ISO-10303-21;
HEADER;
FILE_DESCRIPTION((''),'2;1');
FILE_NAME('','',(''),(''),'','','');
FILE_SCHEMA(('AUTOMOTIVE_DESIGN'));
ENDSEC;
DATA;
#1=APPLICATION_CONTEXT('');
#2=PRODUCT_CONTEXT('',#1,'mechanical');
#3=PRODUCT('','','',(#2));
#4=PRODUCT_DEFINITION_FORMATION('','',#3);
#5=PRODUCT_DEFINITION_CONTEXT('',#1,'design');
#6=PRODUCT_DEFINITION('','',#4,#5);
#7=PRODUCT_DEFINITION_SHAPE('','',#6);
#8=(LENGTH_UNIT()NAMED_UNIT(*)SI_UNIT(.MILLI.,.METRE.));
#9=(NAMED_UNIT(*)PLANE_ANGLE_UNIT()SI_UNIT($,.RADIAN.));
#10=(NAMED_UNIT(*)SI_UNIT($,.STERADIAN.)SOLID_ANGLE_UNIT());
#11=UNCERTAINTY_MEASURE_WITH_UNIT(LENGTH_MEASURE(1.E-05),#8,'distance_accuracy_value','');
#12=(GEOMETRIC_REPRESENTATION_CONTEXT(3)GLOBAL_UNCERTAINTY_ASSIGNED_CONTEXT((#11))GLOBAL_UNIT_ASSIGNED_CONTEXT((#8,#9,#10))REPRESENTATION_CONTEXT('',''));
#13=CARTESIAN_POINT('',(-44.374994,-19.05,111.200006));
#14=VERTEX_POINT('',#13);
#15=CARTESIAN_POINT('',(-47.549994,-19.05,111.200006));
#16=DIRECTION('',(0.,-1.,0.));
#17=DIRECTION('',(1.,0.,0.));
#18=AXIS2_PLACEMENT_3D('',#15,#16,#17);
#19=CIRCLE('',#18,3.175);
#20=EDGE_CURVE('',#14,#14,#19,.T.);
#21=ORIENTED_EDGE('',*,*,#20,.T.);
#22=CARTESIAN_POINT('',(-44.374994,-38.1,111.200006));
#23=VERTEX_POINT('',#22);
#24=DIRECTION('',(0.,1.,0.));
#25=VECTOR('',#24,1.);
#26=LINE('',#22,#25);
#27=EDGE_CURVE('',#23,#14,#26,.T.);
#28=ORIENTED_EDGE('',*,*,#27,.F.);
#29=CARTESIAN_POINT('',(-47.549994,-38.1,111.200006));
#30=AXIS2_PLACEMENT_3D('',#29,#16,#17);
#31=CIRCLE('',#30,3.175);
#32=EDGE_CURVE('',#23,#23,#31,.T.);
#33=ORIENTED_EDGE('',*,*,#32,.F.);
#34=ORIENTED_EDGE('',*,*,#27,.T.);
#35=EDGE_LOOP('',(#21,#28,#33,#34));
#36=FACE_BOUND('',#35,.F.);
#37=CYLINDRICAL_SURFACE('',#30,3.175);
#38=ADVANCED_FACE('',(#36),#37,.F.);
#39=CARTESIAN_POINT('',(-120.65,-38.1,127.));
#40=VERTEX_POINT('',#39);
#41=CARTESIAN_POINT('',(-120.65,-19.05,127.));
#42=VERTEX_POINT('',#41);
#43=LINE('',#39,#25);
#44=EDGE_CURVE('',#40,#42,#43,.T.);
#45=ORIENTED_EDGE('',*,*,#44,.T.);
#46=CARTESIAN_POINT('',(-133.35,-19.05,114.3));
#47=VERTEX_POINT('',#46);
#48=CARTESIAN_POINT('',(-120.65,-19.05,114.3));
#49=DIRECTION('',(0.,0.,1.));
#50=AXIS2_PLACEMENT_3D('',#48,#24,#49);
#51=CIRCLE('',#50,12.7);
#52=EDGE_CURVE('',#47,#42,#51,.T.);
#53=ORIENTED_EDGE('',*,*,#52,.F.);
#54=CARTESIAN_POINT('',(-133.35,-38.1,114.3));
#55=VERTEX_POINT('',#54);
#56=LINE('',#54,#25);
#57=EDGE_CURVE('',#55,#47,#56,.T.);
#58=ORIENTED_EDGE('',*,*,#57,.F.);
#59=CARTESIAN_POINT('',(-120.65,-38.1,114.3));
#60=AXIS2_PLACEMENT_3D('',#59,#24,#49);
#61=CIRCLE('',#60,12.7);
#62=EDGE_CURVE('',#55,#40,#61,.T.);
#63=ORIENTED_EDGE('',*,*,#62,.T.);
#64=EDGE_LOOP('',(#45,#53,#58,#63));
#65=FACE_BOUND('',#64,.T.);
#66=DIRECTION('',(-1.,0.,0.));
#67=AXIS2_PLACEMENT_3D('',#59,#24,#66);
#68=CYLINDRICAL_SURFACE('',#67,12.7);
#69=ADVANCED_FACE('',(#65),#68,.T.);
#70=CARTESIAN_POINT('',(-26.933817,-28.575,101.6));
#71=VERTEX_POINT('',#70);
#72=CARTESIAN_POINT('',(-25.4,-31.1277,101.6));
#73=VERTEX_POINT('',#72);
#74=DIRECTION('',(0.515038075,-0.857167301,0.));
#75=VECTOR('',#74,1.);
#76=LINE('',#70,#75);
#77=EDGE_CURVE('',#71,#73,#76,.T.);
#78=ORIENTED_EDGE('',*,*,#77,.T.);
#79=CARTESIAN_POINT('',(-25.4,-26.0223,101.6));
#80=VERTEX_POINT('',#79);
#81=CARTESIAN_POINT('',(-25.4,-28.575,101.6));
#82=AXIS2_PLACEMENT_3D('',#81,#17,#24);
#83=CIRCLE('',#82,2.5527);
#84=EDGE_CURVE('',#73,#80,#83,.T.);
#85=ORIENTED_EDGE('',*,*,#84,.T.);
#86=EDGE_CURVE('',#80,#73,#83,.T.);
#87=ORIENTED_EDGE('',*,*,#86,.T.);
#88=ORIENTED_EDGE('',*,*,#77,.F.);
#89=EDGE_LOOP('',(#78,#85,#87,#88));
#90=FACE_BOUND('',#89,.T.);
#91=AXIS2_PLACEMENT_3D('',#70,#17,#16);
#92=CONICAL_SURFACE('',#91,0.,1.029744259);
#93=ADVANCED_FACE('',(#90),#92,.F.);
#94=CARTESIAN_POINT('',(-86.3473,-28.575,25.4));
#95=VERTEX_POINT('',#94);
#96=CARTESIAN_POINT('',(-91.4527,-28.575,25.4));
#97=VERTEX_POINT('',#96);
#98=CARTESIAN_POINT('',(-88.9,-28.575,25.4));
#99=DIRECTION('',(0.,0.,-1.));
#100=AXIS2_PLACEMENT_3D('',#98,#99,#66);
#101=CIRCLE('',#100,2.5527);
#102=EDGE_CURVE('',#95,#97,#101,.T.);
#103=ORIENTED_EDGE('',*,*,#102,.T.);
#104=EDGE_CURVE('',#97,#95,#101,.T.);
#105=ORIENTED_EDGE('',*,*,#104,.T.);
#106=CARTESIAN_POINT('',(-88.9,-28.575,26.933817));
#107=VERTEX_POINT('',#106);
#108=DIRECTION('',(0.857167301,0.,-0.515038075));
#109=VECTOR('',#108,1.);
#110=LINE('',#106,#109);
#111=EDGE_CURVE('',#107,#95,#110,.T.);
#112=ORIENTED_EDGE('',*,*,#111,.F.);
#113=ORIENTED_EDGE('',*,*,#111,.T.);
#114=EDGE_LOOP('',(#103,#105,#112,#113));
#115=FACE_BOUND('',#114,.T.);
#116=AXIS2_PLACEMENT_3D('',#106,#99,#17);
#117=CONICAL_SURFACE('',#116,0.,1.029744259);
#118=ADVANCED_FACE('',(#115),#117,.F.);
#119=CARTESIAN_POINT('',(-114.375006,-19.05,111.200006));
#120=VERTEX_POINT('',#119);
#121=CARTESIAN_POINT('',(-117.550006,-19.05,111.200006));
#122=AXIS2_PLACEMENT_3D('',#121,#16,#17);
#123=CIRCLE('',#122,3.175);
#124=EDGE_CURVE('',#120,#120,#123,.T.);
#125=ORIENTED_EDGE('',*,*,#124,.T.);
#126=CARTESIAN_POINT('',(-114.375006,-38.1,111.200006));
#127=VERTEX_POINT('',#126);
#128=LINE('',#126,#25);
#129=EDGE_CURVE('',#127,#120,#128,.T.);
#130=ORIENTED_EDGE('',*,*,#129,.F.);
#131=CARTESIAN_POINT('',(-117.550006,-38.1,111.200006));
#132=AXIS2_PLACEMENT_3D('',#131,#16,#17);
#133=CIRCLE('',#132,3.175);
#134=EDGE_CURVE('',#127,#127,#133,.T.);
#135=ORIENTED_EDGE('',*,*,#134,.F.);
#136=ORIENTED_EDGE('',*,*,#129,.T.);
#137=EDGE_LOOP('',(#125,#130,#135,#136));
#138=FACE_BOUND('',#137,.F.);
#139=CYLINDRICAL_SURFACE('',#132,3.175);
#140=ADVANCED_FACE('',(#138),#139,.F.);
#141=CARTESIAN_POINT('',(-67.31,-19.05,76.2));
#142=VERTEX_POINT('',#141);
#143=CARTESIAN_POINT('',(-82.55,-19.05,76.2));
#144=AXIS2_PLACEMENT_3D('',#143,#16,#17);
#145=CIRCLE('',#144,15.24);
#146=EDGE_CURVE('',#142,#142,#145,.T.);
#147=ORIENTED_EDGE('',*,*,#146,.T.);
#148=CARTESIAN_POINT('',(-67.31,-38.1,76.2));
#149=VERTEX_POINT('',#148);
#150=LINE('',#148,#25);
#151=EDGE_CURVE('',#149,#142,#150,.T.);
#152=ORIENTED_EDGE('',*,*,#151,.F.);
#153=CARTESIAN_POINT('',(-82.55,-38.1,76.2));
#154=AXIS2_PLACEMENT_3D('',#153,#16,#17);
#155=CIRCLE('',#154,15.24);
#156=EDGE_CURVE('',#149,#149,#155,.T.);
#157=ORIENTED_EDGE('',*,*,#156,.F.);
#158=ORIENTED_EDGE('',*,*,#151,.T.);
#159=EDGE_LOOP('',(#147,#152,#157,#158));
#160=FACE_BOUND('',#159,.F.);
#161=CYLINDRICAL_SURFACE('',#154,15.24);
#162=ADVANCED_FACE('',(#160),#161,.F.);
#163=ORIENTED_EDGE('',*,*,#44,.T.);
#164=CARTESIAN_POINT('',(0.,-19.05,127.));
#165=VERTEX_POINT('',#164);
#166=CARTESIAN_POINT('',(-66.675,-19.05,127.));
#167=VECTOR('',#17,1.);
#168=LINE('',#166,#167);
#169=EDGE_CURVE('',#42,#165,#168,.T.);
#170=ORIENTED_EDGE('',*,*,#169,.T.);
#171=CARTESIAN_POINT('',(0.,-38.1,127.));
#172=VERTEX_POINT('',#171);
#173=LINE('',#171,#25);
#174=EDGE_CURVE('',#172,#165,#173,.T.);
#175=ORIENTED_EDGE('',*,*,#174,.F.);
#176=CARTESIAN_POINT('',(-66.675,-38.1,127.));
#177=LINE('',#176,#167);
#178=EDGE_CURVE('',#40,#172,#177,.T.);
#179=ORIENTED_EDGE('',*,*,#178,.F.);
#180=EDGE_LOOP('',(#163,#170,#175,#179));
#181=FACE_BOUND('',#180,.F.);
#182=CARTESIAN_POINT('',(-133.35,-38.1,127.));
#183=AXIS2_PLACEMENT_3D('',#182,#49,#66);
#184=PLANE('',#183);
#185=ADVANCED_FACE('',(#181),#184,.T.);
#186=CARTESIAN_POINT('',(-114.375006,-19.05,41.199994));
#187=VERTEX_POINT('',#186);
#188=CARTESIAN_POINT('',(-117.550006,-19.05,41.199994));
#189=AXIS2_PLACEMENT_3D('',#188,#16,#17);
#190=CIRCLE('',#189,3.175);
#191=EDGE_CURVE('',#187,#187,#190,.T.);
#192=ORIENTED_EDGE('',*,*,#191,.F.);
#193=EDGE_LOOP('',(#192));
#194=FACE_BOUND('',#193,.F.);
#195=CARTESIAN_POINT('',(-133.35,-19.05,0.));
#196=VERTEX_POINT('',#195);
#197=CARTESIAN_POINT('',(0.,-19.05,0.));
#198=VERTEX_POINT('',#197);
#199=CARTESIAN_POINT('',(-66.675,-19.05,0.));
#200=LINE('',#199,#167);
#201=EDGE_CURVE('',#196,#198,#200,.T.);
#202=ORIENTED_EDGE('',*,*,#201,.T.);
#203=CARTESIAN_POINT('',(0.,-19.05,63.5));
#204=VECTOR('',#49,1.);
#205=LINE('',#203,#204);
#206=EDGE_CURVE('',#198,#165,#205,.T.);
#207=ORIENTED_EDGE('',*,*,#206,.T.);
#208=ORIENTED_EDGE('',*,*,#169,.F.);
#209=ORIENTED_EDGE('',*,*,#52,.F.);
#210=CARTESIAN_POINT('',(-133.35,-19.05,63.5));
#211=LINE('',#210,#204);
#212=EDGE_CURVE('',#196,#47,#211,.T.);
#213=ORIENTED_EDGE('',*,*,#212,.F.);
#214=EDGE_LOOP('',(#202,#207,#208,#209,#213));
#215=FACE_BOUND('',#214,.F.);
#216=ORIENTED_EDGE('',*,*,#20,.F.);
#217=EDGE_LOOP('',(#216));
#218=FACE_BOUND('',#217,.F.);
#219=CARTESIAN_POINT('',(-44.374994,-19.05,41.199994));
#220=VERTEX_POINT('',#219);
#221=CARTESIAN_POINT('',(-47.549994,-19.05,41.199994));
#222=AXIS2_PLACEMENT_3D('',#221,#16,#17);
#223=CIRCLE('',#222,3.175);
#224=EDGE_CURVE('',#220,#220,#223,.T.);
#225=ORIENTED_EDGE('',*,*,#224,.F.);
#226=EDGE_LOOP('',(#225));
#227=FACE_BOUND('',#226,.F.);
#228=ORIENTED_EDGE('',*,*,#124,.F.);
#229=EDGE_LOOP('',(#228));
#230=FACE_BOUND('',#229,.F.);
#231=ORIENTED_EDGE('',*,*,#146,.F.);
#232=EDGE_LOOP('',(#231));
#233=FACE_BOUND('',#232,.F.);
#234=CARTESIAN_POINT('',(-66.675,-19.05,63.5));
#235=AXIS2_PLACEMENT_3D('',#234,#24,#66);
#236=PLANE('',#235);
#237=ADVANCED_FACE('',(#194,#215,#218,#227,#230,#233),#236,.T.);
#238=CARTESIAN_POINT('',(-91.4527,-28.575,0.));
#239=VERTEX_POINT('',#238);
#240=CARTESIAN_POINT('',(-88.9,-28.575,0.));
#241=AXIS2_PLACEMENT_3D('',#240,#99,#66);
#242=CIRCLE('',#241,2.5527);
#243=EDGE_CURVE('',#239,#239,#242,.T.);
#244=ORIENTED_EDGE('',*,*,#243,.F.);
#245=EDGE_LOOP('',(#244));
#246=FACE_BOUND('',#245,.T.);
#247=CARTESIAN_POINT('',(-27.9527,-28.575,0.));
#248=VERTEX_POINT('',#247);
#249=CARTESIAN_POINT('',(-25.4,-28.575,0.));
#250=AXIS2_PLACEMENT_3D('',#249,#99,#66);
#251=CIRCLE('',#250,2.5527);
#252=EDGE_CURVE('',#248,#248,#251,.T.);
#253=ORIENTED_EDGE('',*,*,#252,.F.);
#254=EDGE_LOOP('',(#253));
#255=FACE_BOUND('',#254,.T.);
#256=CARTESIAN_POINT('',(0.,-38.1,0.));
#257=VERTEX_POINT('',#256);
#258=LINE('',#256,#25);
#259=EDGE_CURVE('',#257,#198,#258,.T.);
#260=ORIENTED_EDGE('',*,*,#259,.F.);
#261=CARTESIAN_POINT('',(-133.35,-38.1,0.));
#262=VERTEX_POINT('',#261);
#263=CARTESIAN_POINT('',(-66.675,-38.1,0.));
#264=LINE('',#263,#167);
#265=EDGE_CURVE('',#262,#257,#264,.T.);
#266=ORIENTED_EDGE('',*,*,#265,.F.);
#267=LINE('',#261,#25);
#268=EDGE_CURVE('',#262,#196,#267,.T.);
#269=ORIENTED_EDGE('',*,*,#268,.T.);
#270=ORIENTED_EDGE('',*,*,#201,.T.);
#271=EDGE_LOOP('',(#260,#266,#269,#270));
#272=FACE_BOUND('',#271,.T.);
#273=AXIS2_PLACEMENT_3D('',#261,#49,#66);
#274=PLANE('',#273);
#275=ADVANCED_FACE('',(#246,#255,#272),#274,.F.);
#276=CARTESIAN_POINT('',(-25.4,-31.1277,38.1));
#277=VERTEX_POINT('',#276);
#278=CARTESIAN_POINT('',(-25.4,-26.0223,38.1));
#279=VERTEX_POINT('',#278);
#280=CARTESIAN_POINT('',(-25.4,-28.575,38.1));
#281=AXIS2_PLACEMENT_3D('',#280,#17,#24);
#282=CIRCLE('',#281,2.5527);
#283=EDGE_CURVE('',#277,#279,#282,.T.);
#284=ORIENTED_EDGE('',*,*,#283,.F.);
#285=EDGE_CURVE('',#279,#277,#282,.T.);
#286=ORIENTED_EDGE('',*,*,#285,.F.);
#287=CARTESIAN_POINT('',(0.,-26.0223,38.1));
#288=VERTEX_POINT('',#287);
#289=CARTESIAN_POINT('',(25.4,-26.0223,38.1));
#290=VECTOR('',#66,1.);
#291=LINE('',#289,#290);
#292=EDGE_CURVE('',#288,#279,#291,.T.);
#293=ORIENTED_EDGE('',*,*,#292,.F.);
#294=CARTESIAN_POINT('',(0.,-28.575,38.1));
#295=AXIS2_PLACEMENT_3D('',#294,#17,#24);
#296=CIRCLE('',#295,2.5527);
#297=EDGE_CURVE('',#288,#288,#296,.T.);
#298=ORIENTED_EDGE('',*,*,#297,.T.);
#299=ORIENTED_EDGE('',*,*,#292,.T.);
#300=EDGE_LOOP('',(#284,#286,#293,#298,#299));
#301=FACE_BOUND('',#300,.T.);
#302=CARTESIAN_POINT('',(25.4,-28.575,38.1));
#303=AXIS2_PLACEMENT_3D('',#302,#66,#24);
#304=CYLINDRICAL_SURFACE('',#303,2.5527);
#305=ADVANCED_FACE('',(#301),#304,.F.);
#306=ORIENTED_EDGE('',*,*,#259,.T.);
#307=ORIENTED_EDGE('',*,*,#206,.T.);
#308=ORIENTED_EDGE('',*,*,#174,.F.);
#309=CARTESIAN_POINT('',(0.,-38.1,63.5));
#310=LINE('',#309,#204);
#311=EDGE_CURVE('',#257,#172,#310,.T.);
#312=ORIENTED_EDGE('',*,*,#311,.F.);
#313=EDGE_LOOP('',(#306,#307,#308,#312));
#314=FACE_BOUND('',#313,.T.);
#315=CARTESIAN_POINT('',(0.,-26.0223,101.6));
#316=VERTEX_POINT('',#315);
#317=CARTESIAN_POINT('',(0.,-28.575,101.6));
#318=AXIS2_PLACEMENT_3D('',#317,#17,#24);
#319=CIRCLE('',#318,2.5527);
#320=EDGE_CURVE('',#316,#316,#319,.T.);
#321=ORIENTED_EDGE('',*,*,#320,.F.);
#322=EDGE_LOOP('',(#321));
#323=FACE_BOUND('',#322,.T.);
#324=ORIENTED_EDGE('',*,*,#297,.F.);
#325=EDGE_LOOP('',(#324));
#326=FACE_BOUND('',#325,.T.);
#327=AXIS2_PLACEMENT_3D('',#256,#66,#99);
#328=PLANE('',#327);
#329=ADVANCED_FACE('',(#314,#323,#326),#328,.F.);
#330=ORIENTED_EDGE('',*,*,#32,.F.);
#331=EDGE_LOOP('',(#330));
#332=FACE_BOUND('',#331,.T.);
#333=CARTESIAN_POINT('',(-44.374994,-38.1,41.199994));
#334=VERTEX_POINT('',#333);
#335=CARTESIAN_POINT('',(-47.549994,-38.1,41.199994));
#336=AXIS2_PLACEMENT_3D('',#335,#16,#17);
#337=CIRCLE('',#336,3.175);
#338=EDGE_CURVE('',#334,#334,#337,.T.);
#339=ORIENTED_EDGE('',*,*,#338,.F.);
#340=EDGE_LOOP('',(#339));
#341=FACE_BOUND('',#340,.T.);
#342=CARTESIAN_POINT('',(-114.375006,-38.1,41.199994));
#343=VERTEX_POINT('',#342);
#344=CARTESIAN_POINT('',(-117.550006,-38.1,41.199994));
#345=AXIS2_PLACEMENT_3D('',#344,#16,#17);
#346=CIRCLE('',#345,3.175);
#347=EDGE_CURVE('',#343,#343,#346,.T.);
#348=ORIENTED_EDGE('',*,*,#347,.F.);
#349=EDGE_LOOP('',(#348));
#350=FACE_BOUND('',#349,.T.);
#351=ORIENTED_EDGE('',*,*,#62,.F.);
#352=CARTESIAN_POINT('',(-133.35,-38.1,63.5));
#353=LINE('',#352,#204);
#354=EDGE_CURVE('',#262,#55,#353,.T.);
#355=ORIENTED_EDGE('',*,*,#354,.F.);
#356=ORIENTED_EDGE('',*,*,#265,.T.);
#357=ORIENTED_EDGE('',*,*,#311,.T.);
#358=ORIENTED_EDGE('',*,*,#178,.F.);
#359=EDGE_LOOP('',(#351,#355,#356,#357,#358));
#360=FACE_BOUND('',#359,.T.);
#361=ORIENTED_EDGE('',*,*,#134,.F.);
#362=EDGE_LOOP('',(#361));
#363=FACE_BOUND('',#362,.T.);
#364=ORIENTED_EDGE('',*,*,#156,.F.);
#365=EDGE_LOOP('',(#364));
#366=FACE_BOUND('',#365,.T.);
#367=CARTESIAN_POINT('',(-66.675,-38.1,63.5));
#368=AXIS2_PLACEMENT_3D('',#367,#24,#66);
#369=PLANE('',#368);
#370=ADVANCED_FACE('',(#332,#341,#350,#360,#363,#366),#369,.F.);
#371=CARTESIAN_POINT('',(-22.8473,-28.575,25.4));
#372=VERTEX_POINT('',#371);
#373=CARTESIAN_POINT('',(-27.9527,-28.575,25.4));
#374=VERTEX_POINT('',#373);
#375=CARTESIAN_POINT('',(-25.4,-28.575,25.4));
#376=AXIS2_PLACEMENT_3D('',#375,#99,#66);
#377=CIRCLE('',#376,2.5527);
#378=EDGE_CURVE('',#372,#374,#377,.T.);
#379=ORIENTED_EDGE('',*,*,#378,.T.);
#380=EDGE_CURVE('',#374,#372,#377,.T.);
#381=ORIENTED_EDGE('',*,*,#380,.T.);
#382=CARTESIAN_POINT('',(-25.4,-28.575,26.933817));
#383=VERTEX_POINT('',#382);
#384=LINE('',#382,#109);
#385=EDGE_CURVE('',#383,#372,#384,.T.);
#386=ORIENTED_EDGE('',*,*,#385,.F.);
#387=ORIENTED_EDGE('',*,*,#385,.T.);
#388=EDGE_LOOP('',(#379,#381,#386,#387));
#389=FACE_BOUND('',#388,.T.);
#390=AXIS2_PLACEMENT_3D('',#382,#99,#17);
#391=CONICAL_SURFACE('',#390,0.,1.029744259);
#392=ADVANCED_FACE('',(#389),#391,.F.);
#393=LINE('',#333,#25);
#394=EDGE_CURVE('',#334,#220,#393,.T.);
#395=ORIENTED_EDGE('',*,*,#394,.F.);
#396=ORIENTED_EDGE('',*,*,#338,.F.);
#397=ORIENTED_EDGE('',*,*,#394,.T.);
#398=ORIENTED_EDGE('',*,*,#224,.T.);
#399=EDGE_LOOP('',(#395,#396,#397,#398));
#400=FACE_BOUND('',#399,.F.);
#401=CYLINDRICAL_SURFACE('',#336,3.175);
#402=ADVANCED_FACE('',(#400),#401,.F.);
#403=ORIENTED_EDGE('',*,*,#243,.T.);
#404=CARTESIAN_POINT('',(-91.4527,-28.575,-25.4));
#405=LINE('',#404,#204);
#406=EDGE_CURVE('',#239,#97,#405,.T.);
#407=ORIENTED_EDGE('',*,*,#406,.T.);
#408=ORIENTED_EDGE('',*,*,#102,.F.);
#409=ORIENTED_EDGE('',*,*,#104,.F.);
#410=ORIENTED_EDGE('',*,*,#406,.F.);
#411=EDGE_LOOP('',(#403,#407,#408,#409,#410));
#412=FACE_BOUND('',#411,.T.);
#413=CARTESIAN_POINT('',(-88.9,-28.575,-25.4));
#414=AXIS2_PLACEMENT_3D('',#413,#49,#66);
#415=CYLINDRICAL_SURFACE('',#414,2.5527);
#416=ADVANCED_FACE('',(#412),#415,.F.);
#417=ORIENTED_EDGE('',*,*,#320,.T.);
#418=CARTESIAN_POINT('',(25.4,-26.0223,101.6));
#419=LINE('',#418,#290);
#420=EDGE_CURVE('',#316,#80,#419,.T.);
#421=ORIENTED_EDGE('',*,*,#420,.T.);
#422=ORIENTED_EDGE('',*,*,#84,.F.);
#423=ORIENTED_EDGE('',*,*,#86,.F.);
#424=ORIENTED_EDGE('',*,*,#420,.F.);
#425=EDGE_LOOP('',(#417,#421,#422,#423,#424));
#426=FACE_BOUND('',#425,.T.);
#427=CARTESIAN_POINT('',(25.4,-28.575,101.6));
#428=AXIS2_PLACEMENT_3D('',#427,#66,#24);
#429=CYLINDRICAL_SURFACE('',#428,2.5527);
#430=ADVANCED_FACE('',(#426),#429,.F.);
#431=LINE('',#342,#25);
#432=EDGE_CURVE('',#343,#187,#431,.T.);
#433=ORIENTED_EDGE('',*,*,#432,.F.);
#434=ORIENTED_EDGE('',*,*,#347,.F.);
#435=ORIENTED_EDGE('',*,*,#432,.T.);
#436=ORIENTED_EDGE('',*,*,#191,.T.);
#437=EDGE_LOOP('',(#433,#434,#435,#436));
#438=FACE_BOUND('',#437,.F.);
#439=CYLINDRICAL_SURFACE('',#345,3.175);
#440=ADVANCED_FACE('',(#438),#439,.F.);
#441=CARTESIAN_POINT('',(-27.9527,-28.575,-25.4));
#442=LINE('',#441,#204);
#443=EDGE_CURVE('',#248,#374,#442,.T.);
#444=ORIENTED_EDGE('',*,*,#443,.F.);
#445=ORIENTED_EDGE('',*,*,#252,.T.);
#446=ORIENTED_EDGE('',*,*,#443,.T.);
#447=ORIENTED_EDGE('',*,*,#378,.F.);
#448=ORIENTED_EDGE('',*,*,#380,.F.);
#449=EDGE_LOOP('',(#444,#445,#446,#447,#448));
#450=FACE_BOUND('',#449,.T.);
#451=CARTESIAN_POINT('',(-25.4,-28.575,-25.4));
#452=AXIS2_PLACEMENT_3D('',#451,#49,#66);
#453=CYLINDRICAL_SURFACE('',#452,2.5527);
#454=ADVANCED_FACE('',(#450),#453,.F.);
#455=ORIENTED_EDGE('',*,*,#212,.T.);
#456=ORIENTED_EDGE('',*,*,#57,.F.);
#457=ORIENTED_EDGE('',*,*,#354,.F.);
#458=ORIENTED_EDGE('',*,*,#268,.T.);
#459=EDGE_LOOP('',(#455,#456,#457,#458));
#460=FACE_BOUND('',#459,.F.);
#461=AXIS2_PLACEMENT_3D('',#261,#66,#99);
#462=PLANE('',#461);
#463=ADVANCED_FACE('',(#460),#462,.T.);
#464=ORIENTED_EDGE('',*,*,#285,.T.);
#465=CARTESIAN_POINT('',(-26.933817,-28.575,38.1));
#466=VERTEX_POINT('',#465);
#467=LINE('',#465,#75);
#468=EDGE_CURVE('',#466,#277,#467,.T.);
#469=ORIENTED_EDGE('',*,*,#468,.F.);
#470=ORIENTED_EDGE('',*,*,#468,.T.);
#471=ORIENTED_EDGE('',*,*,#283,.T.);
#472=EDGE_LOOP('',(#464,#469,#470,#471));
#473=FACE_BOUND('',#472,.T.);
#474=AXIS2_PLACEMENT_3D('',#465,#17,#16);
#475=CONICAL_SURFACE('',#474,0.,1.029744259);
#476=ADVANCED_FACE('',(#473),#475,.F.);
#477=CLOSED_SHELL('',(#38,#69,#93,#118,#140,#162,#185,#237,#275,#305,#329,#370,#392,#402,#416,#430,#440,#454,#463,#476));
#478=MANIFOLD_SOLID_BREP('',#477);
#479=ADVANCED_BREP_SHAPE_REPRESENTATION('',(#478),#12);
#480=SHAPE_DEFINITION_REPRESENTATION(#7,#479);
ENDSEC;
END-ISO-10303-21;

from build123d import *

# Parameters (mm, degrees)
F0_W           = 133.3499997854
F0_H           = 127
F0_R           = 3.175
F0_R_2         = 15.24
F1_DEPTH       = 19.05
F4_D           = 5.1054
F4_DEPTH       = 25.4
F4_TIP         = 1.5338169022
F4_ON_F3_D     = 5.1054
F4_ON_F3_DEPTH = 25.4
F4_ON_F3_TIP   = 1.5338169022
F7_R           = 12.7


with BuildPart() as f1:
    # F0 (on Front) → F1 (new body)
    with BuildSketch(Plane.XZ):
        with Locations((-66.6749998927, 63.5)):
            Rectangle(F0_W, F0_H)
        with Locations((-117.5500062, 41.1999938)):
            Circle(F0_R, mode=Mode.SUBTRACT)
        with Locations((-47.5499938, 41.1999938)):
            Circle(F0_R, mode=Mode.SUBTRACT)
        with Locations((-82.55, 76.2)):
            Circle(F0_R_2, mode=Mode.SUBTRACT)
        with Locations((-117.5500062, 111.2000062)):
            Circle(F0_R, mode=Mode.SUBTRACT)
        with Locations((-47.5499938, 111.2000062)):
            Circle(F0_R, mode=Mode.SUBTRACT)
    extrude(amount=F1_DEPTH)

    # F4
    with Locations(Plane.YZ):
        with Locations((-9.525, 101.6), (-9.525, 38.1)):
            Hole(F4_D / 2, depth=F4_DEPTH)
            with Locations((0, 0, -(F4_DEPTH + F4_TIP / 2))):  # 118° drill point
                Cone(0, F4_D / 2, F4_TIP, mode=Mode.SUBTRACT)

    # F4 on F3
    with Locations(Plane(origin=(0, 0, 0), x_dir=(1, 0, 0), z_dir=(0, 0, -1))):
        with Locations((-25.4, 9.525), (-88.9, 9.525)):
            Hole(F4_ON_F3_D / 2, depth=F4_ON_F3_DEPTH)
            with Locations((0, 0, -(F4_ON_F3_DEPTH + F4_ON_F3_TIP / 2))):  # 118° drill point
                Cone(0, F4_ON_F3_D / 2, F4_ON_F3_TIP, mode=Mode.SUBTRACT)


with BuildPart() as f5_1:
    # F5: instance of F1
    add(f1.part.mirror(Plane(origin=(-65.8295348944, -19.05, 62.823628006), x_dir=(1, 0, 0), z_dir=(0, -1, 0))))

    # F7
    f7_edges = [f5_1.edges().sort_by_distance(p)[0] for p in [
        (-133.35, -28.575, 127),
    ]]
    fillet(f7_edges, radius=F7_R)


solid = f5_1.part
